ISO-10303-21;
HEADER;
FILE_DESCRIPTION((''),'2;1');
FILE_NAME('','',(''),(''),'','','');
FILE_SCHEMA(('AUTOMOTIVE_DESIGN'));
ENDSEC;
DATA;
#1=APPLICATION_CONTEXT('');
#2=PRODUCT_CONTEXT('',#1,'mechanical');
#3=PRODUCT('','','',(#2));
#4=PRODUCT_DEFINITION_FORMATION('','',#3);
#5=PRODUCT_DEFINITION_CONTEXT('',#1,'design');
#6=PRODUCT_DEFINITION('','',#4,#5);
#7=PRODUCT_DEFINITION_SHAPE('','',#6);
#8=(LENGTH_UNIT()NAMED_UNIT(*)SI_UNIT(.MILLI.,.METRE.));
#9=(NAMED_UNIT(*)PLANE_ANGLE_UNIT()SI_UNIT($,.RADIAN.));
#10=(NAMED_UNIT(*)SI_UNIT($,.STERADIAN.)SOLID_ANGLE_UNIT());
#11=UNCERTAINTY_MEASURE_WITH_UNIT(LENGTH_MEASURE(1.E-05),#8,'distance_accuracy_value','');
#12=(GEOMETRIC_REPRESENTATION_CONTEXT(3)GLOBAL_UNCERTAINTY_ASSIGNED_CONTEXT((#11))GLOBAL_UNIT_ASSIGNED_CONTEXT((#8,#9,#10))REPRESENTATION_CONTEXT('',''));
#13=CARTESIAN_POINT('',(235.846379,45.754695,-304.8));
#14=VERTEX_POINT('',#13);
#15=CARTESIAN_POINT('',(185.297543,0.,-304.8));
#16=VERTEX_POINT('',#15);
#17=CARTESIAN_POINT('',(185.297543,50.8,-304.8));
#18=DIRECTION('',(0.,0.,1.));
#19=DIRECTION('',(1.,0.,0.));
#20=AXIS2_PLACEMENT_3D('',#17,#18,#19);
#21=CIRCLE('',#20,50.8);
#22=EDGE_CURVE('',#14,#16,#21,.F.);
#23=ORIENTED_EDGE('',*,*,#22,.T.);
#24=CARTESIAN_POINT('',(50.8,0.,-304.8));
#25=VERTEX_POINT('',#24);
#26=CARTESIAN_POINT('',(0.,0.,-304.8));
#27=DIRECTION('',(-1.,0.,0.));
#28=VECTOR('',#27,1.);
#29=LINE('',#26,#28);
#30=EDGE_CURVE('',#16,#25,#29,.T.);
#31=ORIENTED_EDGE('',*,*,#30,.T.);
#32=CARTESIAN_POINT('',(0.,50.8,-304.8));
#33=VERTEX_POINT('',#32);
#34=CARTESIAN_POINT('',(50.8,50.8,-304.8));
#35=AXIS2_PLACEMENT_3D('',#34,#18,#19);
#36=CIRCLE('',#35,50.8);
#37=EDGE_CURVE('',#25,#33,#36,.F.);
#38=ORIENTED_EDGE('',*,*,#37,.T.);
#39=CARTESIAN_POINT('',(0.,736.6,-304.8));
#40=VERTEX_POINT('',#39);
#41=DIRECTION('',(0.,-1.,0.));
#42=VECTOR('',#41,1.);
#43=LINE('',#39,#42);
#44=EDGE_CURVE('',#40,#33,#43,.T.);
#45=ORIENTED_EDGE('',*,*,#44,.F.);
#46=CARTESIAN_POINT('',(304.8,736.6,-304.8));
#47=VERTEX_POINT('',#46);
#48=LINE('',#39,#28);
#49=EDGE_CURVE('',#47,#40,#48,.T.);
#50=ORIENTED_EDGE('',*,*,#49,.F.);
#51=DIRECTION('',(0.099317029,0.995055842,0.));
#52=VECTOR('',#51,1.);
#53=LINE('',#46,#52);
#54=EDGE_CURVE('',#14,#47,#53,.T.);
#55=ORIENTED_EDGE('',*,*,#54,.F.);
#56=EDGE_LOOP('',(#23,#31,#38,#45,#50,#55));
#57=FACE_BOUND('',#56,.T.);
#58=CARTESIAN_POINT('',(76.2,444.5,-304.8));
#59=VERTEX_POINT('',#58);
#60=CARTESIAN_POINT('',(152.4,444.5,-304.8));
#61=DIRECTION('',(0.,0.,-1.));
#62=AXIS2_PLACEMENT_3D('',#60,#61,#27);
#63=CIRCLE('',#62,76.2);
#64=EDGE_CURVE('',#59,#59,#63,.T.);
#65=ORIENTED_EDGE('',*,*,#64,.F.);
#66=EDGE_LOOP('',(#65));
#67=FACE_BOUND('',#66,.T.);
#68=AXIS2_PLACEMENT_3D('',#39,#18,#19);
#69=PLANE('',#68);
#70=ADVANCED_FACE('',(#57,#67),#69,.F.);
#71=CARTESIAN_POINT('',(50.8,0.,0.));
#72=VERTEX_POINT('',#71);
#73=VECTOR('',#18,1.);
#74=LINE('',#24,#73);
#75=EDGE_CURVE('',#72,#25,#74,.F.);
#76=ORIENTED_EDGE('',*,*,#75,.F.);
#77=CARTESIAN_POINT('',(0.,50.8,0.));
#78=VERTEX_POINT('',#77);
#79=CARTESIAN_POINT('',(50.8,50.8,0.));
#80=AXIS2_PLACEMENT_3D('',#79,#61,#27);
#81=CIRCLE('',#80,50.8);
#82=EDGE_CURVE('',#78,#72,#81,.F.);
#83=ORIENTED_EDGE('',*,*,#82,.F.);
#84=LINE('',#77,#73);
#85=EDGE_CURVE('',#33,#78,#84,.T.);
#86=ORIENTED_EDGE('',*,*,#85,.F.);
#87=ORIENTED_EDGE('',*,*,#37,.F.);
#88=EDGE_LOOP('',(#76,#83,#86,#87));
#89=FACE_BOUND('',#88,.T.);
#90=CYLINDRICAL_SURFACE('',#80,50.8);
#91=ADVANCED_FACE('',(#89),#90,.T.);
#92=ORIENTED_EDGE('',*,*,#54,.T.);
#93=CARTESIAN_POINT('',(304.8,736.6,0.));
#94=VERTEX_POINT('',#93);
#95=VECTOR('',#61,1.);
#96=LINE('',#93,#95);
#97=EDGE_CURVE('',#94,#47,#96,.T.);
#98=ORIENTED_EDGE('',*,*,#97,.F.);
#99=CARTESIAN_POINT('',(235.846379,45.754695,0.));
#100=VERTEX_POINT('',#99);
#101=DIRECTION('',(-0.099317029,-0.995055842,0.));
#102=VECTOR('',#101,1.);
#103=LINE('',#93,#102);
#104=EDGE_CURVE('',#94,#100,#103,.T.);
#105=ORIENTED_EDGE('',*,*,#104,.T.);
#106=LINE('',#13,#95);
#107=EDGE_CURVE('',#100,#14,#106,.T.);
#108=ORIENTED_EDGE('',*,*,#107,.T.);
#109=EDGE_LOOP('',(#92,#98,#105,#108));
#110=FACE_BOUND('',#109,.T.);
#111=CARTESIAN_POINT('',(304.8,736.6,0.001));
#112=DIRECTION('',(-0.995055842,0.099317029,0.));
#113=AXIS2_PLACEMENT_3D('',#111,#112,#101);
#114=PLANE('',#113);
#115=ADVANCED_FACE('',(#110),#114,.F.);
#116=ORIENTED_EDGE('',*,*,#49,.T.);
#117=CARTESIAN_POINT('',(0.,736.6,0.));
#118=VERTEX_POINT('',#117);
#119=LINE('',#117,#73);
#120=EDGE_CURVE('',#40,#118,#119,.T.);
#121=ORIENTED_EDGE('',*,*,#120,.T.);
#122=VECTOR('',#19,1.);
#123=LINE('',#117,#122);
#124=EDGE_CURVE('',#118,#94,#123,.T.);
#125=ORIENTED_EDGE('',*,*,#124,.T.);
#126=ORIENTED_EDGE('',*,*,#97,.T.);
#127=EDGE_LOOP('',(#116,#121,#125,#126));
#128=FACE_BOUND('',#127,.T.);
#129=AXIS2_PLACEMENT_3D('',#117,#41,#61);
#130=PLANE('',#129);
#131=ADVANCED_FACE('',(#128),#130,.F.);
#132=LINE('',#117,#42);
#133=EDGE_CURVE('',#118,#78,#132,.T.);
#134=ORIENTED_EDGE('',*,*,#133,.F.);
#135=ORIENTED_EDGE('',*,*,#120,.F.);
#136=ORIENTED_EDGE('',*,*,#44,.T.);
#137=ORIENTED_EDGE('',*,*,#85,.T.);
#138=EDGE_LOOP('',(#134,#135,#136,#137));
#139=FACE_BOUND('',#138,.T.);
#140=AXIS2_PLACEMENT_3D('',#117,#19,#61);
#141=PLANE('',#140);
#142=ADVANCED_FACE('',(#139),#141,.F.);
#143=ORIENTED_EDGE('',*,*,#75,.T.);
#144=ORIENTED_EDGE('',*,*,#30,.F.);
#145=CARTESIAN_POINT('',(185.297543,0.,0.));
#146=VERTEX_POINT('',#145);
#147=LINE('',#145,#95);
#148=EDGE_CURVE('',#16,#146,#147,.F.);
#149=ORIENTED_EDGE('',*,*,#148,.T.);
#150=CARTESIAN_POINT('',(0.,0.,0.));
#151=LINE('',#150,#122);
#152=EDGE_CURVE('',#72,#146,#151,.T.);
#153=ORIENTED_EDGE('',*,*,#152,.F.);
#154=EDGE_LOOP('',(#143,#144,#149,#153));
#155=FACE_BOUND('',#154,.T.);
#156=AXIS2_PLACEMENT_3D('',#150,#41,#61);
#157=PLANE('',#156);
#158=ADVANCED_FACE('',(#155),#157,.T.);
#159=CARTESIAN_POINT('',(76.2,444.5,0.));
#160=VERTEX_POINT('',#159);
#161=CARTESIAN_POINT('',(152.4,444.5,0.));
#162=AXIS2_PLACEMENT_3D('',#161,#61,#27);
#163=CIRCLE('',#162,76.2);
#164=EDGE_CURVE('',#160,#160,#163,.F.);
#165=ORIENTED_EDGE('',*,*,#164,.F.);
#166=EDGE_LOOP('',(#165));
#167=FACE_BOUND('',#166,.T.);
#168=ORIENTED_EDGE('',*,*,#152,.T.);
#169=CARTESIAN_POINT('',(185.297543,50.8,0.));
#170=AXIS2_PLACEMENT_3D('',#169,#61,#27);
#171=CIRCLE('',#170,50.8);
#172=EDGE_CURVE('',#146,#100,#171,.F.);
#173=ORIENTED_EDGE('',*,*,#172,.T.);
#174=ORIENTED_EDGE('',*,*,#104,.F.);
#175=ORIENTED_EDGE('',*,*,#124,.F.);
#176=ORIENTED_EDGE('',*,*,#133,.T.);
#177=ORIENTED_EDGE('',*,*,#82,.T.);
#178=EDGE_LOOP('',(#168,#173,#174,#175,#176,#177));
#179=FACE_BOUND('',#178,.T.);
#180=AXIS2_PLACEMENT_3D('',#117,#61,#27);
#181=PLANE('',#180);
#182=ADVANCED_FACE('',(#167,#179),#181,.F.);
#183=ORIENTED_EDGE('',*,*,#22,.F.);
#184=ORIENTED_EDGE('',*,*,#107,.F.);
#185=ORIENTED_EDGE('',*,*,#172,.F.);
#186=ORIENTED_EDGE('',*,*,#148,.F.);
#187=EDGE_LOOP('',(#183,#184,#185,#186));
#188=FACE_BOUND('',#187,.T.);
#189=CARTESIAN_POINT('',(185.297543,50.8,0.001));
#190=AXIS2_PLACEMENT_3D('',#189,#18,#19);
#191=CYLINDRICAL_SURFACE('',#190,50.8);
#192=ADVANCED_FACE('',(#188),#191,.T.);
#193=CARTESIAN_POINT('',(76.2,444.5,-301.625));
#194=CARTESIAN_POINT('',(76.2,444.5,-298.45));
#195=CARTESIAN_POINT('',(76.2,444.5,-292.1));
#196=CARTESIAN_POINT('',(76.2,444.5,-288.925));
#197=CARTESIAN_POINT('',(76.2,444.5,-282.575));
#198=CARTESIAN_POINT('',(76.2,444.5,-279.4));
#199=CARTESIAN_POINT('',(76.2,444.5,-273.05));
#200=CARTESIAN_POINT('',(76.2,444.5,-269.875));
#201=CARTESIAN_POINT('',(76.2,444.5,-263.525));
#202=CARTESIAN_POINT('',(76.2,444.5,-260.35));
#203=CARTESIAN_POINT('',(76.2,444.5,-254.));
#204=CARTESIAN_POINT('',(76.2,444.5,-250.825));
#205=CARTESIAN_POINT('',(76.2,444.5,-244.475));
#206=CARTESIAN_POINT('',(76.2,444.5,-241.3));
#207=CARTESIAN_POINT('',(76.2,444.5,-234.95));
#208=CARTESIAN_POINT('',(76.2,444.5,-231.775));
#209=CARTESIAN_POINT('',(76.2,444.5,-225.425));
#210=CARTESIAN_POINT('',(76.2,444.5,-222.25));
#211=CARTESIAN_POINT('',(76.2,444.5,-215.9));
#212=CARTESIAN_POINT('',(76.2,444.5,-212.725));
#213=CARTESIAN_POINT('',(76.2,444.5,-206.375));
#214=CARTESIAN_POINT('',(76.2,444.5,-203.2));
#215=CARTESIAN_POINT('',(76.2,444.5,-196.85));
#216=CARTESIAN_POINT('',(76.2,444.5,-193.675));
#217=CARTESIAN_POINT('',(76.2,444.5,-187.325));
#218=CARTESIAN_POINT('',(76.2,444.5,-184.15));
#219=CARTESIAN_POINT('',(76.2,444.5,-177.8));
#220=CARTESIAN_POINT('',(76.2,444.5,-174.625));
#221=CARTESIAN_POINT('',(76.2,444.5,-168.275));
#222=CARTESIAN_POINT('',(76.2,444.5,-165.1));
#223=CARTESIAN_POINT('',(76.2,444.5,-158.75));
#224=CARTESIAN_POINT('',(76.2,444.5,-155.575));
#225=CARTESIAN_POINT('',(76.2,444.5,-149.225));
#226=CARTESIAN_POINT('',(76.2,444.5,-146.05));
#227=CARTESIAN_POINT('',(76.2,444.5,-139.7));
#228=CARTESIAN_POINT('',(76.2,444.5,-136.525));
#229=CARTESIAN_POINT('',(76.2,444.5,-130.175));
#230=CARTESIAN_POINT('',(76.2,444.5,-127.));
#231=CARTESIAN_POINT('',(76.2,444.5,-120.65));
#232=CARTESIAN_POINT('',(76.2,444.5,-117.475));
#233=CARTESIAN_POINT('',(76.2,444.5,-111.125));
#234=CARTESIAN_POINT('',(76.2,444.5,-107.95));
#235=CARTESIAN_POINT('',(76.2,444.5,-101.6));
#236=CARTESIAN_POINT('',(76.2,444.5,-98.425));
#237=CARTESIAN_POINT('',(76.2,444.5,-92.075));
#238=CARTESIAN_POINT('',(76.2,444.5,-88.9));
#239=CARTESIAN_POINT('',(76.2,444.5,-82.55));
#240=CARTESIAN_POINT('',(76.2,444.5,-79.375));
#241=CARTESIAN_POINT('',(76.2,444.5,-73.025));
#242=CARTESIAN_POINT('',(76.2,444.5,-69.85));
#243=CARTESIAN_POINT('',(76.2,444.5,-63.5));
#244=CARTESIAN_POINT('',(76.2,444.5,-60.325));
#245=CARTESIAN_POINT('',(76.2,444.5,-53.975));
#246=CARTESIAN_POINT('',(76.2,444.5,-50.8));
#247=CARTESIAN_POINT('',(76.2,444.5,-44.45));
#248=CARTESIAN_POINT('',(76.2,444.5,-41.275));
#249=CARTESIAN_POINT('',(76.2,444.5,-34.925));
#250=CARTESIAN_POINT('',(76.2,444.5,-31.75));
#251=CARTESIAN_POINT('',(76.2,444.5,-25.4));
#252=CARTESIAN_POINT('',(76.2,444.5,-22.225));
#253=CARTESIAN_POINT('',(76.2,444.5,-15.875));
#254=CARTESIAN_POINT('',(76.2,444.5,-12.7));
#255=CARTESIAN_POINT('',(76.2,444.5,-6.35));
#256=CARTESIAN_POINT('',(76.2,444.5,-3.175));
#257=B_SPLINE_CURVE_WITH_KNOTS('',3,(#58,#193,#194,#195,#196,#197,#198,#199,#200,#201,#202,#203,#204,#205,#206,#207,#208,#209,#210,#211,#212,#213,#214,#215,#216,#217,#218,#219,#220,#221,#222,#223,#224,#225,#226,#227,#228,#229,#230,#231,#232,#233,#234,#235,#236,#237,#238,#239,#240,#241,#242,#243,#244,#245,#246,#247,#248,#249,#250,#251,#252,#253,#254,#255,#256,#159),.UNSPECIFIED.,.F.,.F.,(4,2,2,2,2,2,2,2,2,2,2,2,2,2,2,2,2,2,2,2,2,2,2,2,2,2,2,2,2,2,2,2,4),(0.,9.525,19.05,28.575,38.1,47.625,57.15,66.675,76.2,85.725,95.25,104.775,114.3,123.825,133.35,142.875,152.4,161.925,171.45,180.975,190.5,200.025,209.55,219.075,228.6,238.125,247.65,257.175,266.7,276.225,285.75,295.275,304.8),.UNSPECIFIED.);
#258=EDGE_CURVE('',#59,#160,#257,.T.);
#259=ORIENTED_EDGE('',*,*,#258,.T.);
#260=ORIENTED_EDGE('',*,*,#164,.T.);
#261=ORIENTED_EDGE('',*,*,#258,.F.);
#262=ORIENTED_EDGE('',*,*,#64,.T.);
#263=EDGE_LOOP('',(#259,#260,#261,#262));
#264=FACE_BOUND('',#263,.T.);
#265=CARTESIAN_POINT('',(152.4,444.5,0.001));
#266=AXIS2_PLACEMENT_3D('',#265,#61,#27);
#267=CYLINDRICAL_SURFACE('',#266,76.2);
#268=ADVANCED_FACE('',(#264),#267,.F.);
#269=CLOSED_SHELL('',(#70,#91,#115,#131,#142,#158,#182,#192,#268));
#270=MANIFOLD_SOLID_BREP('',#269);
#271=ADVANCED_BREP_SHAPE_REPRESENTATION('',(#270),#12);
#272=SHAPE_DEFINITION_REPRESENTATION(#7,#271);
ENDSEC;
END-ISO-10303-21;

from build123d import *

# Parameters (mm, degrees)
SKETCH1_W           = 304.8
SKETCH1_H           = 304.8
BOSS_EXTRUDE1_DEPTH = 736.6
CUT_EXTRUDE1_REACH  = 855.455
SKETCH2_R           = 76.2
FILLET1_R           = 50.8


with BuildPart() as part:
    # Sketch1 → Boss-Extrude1 (new body)
    with BuildSketch(Plane(origin=(0, 0, 0), x_dir=(1, 0, 0), z_dir=(0, 1, 0))):
        with Locations((152.4, 152.4)):
            Rectangle(SKETCH1_W, SKETCH1_H)
    extrude(amount=BOSS_EXTRUDE1_DEPTH)

    # Sketch2 → Cut-Extrude1 (cut, up to next)
    with BuildSketch(Plane(origin=(0, 0, -304.8), x_dir=(-1, 0, 0), z_dir=(0, 0, -1)), mode=Mode.PRIVATE) as cut_extrude1_sk1:
        with Locations((-152.4, 444.5)):
            Circle(SKETCH2_R)
    cut_extrude1_tool1 = extrude(cut_extrude1_sk1.sketch, amount=-CUT_EXTRUDE1_REACH, mode=Mode.PRIVATE) & part.part
    # Sketch2 → Cut-Extrude1 (cut, up to next)
    with BuildSketch(Plane(origin=(0, 0, -304.8), x_dir=(-1, 0, 0), z_dir=(0, 0, -1)), mode=Mode.PRIVATE) as cut_extrude1_sk2:
        Polygon((-304.8, 736.6), (-231.279579983, 0), (-304.8, 0), align=None)
    cut_extrude1_tool2 = extrude(cut_extrude1_sk2.sketch, amount=-CUT_EXTRUDE1_REACH, mode=Mode.PRIVATE) & part.part
    add(cut_extrude1_tool1.solids().sort_by_distance((152.4, 444.5, -304.8))[0], mode=Mode.SUBTRACT)
    add(cut_extrude1_tool2.solids().sort_by_distance((280.293193, 245.533333, -304.8))[0], mode=Mode.SUBTRACT)

    # Fillet1
    fillet1_edges = [part.edges().sort_by_distance(p)[0] for p in [
        (231.279579983, 0, -152.4),
        (0, 0, -152.4),
    ]]
    fillet(fillet1_edges, radius=FILLET1_R)


solid = part.part
